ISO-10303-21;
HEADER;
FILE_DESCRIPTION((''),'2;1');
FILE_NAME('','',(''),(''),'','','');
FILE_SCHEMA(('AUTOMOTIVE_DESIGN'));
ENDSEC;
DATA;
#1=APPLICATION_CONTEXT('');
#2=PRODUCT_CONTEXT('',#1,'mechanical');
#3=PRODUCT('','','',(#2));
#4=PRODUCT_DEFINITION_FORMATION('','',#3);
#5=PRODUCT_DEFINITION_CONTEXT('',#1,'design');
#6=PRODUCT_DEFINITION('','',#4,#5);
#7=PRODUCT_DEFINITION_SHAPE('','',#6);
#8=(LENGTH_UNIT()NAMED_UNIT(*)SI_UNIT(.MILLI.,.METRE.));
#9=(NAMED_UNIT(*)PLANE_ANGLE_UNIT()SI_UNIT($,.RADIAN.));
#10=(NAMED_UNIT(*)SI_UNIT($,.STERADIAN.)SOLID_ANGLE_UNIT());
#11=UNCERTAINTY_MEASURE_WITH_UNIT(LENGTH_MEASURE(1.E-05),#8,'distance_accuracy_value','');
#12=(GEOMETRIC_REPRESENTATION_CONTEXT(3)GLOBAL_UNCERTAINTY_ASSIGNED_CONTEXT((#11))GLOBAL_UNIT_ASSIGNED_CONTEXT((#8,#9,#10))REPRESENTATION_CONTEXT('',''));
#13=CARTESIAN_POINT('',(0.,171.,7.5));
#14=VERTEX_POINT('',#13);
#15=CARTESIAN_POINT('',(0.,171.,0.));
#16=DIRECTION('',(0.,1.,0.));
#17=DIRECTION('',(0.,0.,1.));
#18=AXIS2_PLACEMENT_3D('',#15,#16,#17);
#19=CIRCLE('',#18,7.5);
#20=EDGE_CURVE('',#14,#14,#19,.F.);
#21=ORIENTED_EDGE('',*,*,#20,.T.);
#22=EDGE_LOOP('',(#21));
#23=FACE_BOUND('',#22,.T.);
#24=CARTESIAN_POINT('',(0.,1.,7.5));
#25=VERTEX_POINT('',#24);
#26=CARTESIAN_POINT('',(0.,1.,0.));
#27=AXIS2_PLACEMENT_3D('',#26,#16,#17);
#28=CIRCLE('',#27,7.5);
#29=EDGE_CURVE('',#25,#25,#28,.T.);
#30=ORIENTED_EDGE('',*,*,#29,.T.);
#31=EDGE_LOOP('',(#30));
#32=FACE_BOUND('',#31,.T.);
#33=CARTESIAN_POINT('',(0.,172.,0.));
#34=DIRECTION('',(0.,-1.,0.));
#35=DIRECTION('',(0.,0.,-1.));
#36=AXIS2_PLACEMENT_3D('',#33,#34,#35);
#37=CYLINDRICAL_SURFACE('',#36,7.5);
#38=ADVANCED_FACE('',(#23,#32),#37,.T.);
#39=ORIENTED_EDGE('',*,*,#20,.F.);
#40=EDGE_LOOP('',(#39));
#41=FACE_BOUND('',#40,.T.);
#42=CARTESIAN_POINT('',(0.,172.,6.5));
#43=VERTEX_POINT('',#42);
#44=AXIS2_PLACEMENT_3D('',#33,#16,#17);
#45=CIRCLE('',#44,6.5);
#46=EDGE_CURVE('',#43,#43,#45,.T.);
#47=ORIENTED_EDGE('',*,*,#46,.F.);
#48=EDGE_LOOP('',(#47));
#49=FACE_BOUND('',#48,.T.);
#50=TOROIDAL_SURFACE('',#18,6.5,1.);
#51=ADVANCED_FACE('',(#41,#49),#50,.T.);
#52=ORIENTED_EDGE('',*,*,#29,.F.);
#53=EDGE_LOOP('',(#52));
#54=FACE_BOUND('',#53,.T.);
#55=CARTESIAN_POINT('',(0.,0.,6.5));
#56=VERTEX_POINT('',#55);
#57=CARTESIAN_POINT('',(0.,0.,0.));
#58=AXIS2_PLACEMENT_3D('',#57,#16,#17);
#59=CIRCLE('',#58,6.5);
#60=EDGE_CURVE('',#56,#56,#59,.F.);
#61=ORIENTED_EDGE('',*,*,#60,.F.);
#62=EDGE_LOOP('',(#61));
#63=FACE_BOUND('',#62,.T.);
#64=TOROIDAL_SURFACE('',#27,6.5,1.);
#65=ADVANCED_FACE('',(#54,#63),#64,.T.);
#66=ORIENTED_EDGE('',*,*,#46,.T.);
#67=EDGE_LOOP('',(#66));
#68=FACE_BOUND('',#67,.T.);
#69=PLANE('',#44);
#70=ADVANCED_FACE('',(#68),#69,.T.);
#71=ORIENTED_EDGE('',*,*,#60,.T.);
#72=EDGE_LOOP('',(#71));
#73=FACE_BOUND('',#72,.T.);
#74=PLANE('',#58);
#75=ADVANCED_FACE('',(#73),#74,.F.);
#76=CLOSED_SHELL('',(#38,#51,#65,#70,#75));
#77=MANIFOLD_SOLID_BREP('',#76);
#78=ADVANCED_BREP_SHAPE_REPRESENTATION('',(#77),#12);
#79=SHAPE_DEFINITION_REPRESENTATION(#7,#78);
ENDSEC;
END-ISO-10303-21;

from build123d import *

# Parameters (mm, degrees)
SKETCH1_R           = 7.5
BOSS_EXTRUDE1_DEPTH = 172
FILLET1_R           = 1


with BuildPart() as part:
    # Sketch1 → Boss-Extrude1 (new body)
    with BuildSketch(Plane(origin=(0, 0, 0), x_dir=(1, 0, 0), z_dir=(0, 1, 0))):
        Circle(SKETCH1_R)
    extrude(amount=BOSS_EXTRUDE1_DEPTH)

    # Fillet1
    fillet1_edges = [part.edges().sort_by_distance(p)[0] for p in [
        (-7.5, 0, 0),
        (-7.5, 172, 0),
    ]]
    fillet(fillet1_edges, radius=FILLET1_R)


solid = part.part
